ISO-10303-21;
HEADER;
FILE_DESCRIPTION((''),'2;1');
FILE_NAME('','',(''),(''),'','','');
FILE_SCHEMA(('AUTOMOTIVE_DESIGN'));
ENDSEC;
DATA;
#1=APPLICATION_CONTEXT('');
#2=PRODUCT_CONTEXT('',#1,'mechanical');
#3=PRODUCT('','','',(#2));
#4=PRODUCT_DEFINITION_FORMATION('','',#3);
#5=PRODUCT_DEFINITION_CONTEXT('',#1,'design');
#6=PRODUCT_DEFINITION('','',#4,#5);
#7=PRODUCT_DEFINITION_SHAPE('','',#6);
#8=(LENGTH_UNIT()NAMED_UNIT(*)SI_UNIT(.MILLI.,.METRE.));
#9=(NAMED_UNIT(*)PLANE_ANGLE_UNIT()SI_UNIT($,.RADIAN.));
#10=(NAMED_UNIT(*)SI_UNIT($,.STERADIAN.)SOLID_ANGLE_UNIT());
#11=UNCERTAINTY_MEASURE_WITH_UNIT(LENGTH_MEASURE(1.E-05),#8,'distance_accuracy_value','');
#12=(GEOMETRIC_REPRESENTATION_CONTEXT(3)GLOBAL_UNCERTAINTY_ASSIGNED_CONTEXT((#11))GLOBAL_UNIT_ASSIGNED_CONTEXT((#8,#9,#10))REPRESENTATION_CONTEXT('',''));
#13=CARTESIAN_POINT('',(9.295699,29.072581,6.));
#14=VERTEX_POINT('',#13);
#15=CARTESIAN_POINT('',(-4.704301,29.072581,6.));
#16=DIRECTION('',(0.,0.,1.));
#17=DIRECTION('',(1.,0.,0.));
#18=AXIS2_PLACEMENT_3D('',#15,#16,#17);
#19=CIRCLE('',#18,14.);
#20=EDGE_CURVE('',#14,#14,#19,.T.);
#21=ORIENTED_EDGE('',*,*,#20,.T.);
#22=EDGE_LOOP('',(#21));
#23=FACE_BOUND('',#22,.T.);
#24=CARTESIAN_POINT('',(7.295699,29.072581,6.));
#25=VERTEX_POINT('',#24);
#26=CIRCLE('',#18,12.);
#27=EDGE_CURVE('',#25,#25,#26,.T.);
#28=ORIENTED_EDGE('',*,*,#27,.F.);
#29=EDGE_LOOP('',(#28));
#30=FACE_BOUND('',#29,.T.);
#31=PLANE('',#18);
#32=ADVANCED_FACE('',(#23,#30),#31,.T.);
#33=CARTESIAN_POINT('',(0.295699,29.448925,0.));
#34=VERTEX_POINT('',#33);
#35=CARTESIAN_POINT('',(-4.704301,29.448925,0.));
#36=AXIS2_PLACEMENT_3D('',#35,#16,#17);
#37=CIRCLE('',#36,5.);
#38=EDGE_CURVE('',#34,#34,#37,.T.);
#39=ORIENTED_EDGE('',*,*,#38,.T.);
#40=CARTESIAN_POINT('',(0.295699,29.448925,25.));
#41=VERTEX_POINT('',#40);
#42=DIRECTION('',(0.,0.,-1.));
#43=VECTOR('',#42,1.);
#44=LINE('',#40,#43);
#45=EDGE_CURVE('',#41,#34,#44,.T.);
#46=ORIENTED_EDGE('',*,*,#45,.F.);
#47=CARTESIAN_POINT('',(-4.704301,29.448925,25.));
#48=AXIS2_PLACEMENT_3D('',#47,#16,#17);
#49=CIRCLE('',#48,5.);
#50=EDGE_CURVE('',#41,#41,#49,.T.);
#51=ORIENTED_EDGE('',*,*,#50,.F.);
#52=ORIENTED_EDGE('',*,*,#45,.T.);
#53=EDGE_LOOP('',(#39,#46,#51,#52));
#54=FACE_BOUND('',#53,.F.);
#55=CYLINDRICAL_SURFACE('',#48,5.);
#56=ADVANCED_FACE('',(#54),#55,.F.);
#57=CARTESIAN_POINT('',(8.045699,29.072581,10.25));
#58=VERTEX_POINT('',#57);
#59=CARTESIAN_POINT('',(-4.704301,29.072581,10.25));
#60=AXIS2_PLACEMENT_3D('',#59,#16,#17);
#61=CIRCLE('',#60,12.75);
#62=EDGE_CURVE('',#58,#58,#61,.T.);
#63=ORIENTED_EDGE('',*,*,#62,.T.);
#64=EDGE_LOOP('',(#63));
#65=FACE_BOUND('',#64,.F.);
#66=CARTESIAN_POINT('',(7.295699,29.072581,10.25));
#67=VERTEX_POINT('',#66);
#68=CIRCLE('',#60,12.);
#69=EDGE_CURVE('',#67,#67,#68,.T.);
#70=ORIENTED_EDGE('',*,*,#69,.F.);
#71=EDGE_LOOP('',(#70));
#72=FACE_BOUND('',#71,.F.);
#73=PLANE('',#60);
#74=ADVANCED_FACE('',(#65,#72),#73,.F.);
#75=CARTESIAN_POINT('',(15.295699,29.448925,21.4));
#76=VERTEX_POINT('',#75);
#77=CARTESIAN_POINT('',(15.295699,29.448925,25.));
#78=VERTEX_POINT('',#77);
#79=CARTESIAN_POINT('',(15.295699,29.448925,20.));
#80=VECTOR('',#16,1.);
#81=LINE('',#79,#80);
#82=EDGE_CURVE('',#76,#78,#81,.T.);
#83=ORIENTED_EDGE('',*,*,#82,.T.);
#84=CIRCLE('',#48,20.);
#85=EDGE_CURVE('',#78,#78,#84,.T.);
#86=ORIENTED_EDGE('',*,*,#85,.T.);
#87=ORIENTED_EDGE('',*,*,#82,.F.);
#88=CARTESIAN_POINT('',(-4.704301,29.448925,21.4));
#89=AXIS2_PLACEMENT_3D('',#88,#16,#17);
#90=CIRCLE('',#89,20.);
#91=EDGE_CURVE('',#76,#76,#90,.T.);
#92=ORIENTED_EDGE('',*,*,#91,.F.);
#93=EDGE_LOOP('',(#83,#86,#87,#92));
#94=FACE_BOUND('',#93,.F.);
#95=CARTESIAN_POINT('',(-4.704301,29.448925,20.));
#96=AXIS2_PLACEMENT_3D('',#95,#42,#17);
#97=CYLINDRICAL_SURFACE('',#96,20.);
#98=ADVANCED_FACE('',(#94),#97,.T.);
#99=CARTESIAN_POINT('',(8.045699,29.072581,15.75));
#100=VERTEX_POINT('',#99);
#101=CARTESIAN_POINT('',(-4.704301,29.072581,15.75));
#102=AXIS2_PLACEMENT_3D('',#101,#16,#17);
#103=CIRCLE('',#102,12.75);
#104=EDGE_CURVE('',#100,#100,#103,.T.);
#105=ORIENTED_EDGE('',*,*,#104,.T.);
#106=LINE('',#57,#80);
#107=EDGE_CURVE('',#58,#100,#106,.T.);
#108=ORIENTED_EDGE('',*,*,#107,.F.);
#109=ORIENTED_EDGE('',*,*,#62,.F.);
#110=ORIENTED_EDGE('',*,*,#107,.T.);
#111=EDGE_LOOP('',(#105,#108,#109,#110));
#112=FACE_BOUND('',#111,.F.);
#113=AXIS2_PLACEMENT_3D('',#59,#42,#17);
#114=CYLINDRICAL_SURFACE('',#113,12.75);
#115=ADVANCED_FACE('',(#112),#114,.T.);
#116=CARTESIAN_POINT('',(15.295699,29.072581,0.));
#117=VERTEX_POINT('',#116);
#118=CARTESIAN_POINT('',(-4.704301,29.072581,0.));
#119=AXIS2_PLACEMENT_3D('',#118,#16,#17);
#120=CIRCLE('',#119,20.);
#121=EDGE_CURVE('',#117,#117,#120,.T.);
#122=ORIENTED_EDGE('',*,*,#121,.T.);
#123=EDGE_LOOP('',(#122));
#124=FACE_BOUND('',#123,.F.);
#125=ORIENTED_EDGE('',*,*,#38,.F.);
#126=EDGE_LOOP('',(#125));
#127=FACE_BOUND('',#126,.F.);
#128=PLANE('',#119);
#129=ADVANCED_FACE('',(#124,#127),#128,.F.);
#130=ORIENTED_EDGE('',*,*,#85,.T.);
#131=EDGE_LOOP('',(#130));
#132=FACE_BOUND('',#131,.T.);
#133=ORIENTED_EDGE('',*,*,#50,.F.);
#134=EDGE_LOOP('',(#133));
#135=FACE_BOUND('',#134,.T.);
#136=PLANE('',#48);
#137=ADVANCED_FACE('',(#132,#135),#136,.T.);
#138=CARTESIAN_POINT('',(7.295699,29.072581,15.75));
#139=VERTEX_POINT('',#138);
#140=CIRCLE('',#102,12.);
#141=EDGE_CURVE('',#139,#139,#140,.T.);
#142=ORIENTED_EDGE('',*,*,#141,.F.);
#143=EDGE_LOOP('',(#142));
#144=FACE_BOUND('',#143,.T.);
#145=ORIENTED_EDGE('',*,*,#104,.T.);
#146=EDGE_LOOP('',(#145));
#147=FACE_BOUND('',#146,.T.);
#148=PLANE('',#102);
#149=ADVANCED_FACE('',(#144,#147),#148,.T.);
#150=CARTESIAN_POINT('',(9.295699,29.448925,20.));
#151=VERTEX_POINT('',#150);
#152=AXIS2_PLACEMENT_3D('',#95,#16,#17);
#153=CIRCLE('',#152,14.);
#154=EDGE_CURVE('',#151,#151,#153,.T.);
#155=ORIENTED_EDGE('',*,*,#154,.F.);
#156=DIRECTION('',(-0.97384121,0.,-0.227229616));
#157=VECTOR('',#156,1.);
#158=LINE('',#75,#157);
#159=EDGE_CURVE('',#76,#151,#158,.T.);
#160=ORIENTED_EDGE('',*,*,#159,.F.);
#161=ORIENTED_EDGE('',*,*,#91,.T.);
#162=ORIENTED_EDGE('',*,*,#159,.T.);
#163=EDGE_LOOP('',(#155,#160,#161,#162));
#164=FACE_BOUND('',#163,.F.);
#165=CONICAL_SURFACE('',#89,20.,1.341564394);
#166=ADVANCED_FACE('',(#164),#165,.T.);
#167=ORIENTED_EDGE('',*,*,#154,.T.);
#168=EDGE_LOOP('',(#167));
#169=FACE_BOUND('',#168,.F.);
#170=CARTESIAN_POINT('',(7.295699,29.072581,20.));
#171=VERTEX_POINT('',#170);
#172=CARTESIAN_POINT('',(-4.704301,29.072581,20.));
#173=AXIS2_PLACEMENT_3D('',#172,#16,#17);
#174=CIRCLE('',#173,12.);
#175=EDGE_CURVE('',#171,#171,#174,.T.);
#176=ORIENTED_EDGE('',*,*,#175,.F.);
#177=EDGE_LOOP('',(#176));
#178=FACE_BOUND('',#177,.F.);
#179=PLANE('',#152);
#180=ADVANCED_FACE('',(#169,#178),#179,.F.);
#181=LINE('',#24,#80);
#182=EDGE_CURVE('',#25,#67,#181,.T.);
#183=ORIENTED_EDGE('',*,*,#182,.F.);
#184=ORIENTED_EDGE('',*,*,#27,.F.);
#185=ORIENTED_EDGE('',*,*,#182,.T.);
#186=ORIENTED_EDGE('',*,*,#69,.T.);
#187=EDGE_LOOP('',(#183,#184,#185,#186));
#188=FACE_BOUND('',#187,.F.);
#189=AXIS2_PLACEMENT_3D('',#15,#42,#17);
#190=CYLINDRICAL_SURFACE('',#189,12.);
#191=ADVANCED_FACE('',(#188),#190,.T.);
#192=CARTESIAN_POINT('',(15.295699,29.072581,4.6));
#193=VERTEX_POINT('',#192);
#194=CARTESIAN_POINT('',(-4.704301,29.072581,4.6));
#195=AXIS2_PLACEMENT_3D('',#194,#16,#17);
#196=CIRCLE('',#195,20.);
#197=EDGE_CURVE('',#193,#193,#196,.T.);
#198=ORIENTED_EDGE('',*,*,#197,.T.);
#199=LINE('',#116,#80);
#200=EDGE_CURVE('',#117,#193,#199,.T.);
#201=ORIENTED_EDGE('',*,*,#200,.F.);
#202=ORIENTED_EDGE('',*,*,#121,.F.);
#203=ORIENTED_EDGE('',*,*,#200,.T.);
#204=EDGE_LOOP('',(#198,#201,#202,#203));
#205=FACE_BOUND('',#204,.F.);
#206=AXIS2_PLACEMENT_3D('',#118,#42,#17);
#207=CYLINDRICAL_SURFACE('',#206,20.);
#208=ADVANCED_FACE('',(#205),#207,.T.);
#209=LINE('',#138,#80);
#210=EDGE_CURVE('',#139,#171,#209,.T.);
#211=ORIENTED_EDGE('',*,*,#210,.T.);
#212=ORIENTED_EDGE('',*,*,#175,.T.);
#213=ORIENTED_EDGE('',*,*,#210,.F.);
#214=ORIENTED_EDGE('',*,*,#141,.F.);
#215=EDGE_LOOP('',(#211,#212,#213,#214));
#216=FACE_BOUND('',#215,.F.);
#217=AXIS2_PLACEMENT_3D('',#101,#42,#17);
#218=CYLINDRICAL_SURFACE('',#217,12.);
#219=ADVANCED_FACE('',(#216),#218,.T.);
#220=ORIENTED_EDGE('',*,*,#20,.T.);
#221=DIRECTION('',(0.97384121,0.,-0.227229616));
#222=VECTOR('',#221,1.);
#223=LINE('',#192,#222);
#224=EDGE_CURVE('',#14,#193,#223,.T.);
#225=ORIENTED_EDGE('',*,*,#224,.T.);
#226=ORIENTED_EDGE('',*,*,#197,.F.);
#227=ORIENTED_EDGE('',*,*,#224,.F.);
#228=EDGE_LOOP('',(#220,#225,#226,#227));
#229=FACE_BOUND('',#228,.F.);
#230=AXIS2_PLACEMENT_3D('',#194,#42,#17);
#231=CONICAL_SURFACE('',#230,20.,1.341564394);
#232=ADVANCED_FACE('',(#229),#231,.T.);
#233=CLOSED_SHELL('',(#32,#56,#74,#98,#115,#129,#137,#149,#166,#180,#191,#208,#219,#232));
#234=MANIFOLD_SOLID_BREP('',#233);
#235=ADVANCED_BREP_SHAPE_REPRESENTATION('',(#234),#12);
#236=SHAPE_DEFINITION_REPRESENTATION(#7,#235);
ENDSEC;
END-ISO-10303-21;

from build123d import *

# Parameters (mm, degrees)
F0_R      = 20
F1_DEPTH  = 6
F2_R      = 12
F3_DEPTH  = 4.25
F4_R      = 12.75
F5_DEPTH  = 5.5
F6_R      = 12
F8_DEPTH  = 4.25
F10_R     = 20
F11_DEPTH = 5
F12_R     = 5
F13_DEPTH = 25.001
F14_SIZE2 = 1.4
F14_SIZE  = 6
F15_SIZE2 = 6
F15_SIZE  = 1.4


with BuildPart() as f1:
    # F0 (on Top) → F1 (new body)
    with BuildSketch(Plane.XY):
        with Locations((-4.7043012455, 29.0725808591)):
            Circle(F0_R)
    extrude(amount=F1_DEPTH)

    # F2 (on face) → F3 (join)
    with BuildSketch(Plane.XY.offset(6)):
        with Locations((-4.7043012455, 29.0725808591)):
            Circle(F2_R)
    extrude(amount=F3_DEPTH)

    # F4 (on face) → F5 (join)
    with BuildSketch(Plane.XY.offset(10.25)):
        with Locations((-4.7043012455, 29.0725808591)):
            Circle(F4_R)
    extrude(amount=F5_DEPTH)

    # F6 (on face) → F8 (join)
    with BuildSketch(Plane.XY.offset(15.75)):
        with Locations((-4.7043012455, 29.0725808591)):
            Circle(F6_R)
    extrude(amount=F8_DEPTH)

    # F10 (on face) → F11 (join)
    with BuildSketch(Plane.XY.offset(20)):
        with Locations((-4.7043012455, 29.4489245862)):
            Circle(F10_R)
    extrude(amount=F11_DEPTH)

    # F12 (on face) → F13 (cut, through all)
    with BuildSketch(Plane.XY.offset(25)):
        with Locations((-4.7043012455, 29.4489245862)):
            Circle(F12_R)
    extrude(amount=-F13_DEPTH, mode=Mode.SUBTRACT)

    # F14
    f14_edges = [f1.edges().sort_by_distance(p)[0] for p in [
        (-24.704301, 29.072581, 6),
    ]]
    f14_side = f1.faces().sort_by_distance((-24.138616, 29.072581, 6))[0]
    chamfer(f14_edges, length=F14_SIZE, length2=F14_SIZE2, reference=f14_side)

    # F15
    f15_edges = [f1.edges().sort_by_distance(p)[0] for p in [
        (-24.704301, 29.448925, 20),
    ]]
    f15_side = f1.faces().sort_by_distance((-24.704301, 29.448925, 22.5))[0]
    chamfer(f15_edges, length=F15_SIZE, length2=F15_SIZE2, reference=f15_side)


solid = f1.part
